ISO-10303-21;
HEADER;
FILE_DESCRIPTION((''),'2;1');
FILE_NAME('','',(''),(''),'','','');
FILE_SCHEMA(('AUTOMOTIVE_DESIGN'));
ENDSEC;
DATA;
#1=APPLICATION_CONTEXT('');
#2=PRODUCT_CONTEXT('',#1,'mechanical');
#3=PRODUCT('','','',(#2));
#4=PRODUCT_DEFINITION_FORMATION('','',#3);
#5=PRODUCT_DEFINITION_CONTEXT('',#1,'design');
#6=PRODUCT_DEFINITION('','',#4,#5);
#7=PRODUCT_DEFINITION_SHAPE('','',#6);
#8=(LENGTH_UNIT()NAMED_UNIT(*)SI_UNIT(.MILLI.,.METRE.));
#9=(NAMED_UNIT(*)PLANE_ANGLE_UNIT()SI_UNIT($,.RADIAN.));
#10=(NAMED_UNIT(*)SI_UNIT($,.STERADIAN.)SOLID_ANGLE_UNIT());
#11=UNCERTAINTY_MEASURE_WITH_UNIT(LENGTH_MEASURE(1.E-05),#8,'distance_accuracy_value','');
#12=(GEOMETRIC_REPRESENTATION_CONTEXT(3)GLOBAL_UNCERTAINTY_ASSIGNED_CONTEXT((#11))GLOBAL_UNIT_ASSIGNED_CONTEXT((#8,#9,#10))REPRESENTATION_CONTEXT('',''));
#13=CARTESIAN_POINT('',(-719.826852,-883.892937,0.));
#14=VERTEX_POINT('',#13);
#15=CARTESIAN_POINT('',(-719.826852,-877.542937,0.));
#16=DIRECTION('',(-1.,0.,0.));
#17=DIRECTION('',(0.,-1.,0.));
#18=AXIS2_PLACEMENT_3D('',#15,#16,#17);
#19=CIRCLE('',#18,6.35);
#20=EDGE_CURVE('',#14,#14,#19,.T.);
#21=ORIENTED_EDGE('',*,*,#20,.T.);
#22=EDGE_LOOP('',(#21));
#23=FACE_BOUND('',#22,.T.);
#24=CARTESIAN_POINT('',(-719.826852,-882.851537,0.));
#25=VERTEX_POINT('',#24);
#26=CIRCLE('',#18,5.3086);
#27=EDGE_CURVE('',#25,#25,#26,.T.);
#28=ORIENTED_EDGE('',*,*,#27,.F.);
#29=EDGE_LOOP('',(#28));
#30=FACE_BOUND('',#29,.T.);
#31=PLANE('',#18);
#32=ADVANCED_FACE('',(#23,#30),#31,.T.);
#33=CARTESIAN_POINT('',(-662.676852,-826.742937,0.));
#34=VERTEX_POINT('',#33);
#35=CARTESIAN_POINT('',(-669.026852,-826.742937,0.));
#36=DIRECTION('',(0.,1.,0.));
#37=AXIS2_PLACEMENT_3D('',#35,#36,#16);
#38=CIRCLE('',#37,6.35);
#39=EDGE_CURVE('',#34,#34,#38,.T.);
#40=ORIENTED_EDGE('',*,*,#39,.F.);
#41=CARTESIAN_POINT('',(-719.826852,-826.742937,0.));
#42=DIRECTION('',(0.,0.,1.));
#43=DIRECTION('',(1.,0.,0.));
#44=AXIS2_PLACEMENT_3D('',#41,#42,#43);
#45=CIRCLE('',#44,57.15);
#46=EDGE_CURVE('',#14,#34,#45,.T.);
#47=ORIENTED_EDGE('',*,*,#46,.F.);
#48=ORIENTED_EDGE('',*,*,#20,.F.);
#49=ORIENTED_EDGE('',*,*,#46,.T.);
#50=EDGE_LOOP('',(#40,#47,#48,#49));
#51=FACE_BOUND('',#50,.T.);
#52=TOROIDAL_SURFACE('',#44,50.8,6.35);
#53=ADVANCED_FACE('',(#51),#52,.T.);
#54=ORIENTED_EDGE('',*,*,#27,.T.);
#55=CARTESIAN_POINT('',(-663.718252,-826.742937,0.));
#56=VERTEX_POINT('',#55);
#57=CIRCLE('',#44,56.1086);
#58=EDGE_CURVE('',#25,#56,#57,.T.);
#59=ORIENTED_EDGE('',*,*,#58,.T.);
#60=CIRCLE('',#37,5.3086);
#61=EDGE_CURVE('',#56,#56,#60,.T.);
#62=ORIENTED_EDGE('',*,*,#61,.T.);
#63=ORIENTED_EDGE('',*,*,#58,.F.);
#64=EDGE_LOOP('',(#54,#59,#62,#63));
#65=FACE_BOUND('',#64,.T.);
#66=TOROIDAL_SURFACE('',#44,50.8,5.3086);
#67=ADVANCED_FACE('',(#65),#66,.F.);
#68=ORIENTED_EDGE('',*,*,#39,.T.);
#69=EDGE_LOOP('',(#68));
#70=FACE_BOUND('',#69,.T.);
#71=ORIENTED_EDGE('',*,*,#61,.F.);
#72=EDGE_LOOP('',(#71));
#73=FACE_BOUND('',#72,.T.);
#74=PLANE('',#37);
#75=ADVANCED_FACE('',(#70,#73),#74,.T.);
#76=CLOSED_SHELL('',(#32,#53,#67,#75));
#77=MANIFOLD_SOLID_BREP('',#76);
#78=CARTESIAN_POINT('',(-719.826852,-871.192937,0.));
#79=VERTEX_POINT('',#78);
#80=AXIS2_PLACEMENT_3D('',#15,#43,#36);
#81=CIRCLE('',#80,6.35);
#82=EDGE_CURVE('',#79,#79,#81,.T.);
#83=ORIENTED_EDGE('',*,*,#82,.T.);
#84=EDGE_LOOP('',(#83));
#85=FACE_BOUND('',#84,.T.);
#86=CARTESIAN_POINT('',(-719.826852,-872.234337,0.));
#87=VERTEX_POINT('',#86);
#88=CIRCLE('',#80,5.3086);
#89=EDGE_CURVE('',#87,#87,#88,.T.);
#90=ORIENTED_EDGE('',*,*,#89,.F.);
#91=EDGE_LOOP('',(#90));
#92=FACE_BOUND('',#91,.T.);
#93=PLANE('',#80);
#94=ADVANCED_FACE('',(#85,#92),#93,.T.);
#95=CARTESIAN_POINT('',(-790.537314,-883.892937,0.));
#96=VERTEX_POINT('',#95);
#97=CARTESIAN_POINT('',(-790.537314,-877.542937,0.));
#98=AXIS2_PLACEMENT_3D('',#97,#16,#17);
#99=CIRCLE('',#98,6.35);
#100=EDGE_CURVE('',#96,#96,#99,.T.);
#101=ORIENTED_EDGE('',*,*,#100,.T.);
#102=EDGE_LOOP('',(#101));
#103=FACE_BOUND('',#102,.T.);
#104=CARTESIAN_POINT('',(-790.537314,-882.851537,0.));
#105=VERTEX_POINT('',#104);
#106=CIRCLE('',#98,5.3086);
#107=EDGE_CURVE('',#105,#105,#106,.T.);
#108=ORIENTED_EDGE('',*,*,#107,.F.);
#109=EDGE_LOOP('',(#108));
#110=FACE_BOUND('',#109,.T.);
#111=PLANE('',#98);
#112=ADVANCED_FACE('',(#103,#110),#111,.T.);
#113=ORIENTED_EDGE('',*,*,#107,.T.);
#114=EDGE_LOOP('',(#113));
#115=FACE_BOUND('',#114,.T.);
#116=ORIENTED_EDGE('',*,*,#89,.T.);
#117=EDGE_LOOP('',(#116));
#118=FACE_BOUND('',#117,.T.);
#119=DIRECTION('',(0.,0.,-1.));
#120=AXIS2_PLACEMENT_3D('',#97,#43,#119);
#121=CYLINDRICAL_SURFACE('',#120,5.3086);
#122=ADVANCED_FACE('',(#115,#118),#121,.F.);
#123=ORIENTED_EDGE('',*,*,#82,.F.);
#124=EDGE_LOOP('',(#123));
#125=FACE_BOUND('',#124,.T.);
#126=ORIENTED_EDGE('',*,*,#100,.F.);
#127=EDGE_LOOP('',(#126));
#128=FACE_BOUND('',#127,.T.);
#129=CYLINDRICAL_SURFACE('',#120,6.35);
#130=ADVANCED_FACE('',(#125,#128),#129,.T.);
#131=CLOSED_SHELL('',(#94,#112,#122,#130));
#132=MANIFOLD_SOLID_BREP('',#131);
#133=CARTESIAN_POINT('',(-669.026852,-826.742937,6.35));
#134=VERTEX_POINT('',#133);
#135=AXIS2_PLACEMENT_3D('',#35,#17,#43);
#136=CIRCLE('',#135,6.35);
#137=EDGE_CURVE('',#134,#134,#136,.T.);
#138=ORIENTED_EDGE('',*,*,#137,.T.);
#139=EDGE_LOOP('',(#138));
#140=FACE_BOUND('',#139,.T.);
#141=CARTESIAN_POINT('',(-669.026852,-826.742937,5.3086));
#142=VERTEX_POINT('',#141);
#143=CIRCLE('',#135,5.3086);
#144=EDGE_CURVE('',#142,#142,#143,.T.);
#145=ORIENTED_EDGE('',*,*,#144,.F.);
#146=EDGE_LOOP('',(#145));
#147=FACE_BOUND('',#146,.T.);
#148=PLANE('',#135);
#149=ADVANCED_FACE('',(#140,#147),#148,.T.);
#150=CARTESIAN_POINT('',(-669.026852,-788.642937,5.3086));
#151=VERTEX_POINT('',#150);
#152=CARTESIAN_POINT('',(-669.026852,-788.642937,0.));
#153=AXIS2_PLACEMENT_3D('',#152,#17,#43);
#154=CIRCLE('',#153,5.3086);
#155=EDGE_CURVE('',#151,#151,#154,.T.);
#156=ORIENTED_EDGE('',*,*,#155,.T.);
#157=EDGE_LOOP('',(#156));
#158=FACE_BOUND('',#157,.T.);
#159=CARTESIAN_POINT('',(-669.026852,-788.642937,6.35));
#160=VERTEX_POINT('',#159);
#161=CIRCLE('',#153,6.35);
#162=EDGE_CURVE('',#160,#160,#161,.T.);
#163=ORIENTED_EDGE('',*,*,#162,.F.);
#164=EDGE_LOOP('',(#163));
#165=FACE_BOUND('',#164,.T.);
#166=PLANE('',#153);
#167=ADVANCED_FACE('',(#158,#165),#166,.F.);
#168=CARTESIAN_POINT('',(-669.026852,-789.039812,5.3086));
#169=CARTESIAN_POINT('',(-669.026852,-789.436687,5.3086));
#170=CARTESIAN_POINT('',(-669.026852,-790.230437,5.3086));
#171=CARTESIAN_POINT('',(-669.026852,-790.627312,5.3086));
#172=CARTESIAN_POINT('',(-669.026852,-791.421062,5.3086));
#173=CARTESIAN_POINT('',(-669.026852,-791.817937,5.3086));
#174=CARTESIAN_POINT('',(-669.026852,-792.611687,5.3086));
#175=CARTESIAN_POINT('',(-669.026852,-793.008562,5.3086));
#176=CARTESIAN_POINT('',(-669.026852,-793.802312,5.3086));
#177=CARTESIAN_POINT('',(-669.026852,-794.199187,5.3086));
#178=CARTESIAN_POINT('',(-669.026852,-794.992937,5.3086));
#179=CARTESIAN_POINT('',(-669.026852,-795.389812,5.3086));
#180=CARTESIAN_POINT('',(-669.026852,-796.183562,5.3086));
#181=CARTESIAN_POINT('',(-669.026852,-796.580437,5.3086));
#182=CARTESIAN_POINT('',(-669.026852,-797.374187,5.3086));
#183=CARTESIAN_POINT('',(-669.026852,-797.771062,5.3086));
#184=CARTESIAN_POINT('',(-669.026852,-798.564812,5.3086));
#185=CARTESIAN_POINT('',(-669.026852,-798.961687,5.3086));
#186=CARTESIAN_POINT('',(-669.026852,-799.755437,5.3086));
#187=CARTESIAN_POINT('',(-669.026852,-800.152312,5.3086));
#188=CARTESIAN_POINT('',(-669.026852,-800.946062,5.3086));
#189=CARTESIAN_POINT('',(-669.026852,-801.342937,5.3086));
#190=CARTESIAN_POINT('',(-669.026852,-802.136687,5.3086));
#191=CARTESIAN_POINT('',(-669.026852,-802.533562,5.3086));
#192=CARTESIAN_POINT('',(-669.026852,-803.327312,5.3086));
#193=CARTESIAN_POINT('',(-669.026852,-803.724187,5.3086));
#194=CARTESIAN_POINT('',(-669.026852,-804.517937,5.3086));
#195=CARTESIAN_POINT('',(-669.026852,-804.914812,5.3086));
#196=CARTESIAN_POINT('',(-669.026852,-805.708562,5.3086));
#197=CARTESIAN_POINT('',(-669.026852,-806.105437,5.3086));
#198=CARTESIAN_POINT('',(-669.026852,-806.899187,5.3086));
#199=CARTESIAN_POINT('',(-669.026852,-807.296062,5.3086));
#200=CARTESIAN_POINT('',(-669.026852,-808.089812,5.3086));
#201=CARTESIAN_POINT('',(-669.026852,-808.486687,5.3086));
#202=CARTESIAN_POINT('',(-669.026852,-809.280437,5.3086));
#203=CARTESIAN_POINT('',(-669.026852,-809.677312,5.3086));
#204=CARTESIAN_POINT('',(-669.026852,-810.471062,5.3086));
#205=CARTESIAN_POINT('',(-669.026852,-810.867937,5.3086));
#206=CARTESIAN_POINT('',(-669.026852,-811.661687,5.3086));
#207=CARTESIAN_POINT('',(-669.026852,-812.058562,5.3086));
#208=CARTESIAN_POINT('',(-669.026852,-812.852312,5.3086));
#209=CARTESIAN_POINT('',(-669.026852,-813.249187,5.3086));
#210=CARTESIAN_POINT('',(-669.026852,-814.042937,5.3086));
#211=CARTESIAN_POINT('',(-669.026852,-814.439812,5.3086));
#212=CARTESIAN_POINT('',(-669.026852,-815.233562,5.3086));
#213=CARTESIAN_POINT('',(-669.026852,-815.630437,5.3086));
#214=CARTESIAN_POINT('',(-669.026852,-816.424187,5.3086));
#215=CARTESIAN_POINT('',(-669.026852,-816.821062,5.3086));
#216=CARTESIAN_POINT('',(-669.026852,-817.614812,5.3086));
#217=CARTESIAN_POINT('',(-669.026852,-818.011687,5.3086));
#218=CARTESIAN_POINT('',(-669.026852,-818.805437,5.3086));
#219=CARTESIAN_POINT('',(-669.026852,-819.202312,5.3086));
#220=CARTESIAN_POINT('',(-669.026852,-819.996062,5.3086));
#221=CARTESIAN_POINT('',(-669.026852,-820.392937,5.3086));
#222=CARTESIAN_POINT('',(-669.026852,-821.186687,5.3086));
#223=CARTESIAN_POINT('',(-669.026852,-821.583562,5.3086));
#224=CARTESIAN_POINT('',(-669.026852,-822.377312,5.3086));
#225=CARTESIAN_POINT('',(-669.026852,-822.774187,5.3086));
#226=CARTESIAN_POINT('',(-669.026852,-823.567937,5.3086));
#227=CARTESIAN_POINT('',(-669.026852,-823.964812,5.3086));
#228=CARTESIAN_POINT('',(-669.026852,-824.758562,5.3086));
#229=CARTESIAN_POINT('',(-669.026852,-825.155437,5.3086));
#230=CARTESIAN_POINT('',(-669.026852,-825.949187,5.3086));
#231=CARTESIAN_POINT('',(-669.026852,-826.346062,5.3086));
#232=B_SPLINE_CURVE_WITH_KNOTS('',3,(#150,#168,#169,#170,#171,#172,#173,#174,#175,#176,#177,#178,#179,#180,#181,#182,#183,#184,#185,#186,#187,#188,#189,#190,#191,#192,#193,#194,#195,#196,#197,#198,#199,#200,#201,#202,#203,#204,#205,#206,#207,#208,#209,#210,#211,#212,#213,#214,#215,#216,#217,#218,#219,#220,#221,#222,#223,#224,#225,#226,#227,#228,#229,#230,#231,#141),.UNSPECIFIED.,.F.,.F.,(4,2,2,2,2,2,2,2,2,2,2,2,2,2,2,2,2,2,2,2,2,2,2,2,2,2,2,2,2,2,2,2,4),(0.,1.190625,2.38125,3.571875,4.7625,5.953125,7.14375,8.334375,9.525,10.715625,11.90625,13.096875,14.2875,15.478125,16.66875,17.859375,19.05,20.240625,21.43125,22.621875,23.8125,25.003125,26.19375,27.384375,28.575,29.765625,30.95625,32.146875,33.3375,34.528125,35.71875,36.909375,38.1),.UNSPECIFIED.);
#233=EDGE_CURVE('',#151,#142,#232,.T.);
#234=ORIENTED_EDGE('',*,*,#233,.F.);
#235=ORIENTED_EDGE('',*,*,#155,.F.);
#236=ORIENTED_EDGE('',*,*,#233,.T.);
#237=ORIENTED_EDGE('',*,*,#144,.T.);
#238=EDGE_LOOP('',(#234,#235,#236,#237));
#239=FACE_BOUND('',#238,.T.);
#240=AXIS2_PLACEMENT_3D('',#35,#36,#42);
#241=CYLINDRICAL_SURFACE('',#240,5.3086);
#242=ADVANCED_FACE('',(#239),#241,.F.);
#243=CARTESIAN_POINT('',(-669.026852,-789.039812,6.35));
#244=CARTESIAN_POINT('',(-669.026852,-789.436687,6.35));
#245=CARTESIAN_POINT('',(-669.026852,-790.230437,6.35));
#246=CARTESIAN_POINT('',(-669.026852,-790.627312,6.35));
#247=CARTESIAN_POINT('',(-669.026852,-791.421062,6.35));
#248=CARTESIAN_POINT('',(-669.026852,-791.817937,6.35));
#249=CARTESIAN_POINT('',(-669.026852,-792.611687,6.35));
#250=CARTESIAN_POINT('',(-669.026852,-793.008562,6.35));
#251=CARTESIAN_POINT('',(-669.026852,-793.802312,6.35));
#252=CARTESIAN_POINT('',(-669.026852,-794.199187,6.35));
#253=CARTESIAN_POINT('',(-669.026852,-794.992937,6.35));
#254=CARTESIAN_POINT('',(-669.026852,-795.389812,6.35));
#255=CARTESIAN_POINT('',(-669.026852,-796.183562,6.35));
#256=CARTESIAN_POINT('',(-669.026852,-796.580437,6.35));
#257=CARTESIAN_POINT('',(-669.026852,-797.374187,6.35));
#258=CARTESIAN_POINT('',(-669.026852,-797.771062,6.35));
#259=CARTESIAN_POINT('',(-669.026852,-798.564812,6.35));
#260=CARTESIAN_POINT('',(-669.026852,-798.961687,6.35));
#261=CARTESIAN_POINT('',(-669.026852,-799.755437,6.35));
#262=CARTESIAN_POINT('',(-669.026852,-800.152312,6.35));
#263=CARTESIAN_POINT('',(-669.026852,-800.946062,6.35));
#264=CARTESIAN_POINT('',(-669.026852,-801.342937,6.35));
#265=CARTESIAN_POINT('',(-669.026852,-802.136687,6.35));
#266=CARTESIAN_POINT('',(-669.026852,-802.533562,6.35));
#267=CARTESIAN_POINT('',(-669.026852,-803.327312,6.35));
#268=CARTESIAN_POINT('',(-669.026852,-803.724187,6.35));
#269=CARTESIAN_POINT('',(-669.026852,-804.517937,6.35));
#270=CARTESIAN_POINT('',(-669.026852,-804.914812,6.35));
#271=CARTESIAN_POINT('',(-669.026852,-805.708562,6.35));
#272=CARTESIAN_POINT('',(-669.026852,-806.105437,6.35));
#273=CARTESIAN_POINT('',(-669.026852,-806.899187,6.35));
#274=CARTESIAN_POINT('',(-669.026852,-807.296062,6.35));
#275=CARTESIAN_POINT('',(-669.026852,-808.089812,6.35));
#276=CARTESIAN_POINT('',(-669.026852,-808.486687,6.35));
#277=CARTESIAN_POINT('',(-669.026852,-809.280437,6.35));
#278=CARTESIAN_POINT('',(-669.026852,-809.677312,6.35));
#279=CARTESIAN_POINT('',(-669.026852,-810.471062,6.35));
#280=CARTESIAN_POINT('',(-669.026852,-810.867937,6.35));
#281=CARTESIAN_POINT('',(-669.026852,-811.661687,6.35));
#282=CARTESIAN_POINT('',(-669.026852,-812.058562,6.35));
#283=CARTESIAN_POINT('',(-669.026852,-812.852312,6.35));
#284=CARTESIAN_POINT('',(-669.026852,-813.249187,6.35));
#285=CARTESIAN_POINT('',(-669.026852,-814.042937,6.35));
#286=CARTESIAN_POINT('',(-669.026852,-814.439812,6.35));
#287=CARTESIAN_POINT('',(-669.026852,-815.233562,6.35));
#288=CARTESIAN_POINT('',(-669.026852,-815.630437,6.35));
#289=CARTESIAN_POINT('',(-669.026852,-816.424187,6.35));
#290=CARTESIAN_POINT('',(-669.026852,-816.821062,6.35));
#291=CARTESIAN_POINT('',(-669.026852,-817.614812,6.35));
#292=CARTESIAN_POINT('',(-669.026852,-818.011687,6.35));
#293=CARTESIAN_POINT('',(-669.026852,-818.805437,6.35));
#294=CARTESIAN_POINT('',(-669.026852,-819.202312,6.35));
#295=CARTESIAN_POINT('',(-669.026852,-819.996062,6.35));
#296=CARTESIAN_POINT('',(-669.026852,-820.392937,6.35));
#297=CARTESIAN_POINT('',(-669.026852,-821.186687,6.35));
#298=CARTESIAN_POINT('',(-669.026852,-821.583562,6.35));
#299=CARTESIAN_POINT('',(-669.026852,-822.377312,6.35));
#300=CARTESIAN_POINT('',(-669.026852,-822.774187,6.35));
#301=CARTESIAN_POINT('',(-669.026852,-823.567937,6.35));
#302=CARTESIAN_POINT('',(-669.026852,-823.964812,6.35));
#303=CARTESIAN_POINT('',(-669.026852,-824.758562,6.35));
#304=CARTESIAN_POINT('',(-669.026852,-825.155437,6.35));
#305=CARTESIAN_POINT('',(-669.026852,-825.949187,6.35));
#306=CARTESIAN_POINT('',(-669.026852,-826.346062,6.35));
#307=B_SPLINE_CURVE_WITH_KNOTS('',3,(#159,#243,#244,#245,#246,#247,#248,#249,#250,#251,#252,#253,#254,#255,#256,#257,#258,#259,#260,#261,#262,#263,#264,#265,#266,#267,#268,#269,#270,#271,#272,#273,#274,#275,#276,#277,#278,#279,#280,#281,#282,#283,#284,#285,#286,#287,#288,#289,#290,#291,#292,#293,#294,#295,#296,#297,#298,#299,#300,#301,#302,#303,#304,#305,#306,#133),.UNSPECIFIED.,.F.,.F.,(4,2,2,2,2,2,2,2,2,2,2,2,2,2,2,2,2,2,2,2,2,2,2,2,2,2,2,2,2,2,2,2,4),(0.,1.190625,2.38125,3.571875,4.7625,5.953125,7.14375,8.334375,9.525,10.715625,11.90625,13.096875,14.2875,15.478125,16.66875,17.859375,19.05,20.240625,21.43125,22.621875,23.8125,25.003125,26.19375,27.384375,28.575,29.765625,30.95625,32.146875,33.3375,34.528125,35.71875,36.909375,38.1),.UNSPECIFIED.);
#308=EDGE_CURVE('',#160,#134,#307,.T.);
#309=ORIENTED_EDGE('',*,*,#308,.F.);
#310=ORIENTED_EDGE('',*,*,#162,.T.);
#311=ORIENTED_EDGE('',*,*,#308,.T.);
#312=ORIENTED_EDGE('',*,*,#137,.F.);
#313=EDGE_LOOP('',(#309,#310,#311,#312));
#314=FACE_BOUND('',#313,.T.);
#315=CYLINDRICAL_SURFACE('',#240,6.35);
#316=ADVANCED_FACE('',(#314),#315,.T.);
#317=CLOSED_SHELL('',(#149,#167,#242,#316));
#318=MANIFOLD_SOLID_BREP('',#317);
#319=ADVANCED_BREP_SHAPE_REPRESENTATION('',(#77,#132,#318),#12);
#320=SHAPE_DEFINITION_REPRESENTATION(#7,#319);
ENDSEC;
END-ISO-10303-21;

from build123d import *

# Parameters (mm, degrees)
SKETCH1_R                 = 6.35
SKETCH1_R_2               = 5.3086
PIPE_0_5_SCH_40_1_DEPTH   = 38.1
SKETCH1_ON_SEGMENT_2_R    = 6.35
SKETCH1_ON_SEGMENT_2_R_2  = 5.3086
PIPE_0_5_SCH_40_1_2_ANGLE = 90
SKETCH1_ON_SEGMENT_3_R    = 6.35
SKETCH1_ON_SEGMENT_3_R_2  = 5.3086
PIPE_0_5_SCH_40_1_3_DEPTH = 70.710462117


with BuildPart() as part:
    # Sketch1 → Pipe 0.5 SCH 40(1) (new body)
    with BuildSketch(Plane(origin=(-669.026852299, -826.74293683, 0), x_dir=(1, 0, 0), z_dir=(0, -1, 0))):
        Circle(SKETCH1_R)
        Circle(SKETCH1_R_2, mode=Mode.SUBTRACT)
    extrude(amount=-PIPE_0_5_SCH_40_1_DEPTH)


with BuildPart() as body_2:
    # Sketch1 on segment 2 (carried to the start of arc 2) → Pipe 0.5 SCH 40_1 2 (revolve)
    with BuildSketch(Plane(origin=(-669.026852299, -826.74293683, 0), x_dir=(1, 0, 0), z_dir=(0, -1, 0))):
        Circle(SKETCH1_ON_SEGMENT_2_R)
        Circle(SKETCH1_ON_SEGMENT_2_R_2, mode=Mode.SUBTRACT)
    revolve(axis=Axis((-719.826852299, -826.74293683, 0), (0, 0, -1)), revolution_arc=PIPE_0_5_SCH_40_1_2_ANGLE)


with BuildPart() as body_3:
    # Sketch1 on segment 3 (carried to segment 3) → Pipe 0.5 SCH 40_1 3 (new body)
    with BuildSketch(Plane(origin=(-719.826852299, -877.54293683, 0), x_dir=(0, -1, 0), z_dir=(-1, 0, 0))):
        Circle(SKETCH1_ON_SEGMENT_3_R)
        Circle(SKETCH1_ON_SEGMENT_3_R_2, mode=Mode.SUBTRACT)
    extrude(amount=PIPE_0_5_SCH_40_1_3_DEPTH)


solid = Compound([part.part, body_2.part, body_3.part])
